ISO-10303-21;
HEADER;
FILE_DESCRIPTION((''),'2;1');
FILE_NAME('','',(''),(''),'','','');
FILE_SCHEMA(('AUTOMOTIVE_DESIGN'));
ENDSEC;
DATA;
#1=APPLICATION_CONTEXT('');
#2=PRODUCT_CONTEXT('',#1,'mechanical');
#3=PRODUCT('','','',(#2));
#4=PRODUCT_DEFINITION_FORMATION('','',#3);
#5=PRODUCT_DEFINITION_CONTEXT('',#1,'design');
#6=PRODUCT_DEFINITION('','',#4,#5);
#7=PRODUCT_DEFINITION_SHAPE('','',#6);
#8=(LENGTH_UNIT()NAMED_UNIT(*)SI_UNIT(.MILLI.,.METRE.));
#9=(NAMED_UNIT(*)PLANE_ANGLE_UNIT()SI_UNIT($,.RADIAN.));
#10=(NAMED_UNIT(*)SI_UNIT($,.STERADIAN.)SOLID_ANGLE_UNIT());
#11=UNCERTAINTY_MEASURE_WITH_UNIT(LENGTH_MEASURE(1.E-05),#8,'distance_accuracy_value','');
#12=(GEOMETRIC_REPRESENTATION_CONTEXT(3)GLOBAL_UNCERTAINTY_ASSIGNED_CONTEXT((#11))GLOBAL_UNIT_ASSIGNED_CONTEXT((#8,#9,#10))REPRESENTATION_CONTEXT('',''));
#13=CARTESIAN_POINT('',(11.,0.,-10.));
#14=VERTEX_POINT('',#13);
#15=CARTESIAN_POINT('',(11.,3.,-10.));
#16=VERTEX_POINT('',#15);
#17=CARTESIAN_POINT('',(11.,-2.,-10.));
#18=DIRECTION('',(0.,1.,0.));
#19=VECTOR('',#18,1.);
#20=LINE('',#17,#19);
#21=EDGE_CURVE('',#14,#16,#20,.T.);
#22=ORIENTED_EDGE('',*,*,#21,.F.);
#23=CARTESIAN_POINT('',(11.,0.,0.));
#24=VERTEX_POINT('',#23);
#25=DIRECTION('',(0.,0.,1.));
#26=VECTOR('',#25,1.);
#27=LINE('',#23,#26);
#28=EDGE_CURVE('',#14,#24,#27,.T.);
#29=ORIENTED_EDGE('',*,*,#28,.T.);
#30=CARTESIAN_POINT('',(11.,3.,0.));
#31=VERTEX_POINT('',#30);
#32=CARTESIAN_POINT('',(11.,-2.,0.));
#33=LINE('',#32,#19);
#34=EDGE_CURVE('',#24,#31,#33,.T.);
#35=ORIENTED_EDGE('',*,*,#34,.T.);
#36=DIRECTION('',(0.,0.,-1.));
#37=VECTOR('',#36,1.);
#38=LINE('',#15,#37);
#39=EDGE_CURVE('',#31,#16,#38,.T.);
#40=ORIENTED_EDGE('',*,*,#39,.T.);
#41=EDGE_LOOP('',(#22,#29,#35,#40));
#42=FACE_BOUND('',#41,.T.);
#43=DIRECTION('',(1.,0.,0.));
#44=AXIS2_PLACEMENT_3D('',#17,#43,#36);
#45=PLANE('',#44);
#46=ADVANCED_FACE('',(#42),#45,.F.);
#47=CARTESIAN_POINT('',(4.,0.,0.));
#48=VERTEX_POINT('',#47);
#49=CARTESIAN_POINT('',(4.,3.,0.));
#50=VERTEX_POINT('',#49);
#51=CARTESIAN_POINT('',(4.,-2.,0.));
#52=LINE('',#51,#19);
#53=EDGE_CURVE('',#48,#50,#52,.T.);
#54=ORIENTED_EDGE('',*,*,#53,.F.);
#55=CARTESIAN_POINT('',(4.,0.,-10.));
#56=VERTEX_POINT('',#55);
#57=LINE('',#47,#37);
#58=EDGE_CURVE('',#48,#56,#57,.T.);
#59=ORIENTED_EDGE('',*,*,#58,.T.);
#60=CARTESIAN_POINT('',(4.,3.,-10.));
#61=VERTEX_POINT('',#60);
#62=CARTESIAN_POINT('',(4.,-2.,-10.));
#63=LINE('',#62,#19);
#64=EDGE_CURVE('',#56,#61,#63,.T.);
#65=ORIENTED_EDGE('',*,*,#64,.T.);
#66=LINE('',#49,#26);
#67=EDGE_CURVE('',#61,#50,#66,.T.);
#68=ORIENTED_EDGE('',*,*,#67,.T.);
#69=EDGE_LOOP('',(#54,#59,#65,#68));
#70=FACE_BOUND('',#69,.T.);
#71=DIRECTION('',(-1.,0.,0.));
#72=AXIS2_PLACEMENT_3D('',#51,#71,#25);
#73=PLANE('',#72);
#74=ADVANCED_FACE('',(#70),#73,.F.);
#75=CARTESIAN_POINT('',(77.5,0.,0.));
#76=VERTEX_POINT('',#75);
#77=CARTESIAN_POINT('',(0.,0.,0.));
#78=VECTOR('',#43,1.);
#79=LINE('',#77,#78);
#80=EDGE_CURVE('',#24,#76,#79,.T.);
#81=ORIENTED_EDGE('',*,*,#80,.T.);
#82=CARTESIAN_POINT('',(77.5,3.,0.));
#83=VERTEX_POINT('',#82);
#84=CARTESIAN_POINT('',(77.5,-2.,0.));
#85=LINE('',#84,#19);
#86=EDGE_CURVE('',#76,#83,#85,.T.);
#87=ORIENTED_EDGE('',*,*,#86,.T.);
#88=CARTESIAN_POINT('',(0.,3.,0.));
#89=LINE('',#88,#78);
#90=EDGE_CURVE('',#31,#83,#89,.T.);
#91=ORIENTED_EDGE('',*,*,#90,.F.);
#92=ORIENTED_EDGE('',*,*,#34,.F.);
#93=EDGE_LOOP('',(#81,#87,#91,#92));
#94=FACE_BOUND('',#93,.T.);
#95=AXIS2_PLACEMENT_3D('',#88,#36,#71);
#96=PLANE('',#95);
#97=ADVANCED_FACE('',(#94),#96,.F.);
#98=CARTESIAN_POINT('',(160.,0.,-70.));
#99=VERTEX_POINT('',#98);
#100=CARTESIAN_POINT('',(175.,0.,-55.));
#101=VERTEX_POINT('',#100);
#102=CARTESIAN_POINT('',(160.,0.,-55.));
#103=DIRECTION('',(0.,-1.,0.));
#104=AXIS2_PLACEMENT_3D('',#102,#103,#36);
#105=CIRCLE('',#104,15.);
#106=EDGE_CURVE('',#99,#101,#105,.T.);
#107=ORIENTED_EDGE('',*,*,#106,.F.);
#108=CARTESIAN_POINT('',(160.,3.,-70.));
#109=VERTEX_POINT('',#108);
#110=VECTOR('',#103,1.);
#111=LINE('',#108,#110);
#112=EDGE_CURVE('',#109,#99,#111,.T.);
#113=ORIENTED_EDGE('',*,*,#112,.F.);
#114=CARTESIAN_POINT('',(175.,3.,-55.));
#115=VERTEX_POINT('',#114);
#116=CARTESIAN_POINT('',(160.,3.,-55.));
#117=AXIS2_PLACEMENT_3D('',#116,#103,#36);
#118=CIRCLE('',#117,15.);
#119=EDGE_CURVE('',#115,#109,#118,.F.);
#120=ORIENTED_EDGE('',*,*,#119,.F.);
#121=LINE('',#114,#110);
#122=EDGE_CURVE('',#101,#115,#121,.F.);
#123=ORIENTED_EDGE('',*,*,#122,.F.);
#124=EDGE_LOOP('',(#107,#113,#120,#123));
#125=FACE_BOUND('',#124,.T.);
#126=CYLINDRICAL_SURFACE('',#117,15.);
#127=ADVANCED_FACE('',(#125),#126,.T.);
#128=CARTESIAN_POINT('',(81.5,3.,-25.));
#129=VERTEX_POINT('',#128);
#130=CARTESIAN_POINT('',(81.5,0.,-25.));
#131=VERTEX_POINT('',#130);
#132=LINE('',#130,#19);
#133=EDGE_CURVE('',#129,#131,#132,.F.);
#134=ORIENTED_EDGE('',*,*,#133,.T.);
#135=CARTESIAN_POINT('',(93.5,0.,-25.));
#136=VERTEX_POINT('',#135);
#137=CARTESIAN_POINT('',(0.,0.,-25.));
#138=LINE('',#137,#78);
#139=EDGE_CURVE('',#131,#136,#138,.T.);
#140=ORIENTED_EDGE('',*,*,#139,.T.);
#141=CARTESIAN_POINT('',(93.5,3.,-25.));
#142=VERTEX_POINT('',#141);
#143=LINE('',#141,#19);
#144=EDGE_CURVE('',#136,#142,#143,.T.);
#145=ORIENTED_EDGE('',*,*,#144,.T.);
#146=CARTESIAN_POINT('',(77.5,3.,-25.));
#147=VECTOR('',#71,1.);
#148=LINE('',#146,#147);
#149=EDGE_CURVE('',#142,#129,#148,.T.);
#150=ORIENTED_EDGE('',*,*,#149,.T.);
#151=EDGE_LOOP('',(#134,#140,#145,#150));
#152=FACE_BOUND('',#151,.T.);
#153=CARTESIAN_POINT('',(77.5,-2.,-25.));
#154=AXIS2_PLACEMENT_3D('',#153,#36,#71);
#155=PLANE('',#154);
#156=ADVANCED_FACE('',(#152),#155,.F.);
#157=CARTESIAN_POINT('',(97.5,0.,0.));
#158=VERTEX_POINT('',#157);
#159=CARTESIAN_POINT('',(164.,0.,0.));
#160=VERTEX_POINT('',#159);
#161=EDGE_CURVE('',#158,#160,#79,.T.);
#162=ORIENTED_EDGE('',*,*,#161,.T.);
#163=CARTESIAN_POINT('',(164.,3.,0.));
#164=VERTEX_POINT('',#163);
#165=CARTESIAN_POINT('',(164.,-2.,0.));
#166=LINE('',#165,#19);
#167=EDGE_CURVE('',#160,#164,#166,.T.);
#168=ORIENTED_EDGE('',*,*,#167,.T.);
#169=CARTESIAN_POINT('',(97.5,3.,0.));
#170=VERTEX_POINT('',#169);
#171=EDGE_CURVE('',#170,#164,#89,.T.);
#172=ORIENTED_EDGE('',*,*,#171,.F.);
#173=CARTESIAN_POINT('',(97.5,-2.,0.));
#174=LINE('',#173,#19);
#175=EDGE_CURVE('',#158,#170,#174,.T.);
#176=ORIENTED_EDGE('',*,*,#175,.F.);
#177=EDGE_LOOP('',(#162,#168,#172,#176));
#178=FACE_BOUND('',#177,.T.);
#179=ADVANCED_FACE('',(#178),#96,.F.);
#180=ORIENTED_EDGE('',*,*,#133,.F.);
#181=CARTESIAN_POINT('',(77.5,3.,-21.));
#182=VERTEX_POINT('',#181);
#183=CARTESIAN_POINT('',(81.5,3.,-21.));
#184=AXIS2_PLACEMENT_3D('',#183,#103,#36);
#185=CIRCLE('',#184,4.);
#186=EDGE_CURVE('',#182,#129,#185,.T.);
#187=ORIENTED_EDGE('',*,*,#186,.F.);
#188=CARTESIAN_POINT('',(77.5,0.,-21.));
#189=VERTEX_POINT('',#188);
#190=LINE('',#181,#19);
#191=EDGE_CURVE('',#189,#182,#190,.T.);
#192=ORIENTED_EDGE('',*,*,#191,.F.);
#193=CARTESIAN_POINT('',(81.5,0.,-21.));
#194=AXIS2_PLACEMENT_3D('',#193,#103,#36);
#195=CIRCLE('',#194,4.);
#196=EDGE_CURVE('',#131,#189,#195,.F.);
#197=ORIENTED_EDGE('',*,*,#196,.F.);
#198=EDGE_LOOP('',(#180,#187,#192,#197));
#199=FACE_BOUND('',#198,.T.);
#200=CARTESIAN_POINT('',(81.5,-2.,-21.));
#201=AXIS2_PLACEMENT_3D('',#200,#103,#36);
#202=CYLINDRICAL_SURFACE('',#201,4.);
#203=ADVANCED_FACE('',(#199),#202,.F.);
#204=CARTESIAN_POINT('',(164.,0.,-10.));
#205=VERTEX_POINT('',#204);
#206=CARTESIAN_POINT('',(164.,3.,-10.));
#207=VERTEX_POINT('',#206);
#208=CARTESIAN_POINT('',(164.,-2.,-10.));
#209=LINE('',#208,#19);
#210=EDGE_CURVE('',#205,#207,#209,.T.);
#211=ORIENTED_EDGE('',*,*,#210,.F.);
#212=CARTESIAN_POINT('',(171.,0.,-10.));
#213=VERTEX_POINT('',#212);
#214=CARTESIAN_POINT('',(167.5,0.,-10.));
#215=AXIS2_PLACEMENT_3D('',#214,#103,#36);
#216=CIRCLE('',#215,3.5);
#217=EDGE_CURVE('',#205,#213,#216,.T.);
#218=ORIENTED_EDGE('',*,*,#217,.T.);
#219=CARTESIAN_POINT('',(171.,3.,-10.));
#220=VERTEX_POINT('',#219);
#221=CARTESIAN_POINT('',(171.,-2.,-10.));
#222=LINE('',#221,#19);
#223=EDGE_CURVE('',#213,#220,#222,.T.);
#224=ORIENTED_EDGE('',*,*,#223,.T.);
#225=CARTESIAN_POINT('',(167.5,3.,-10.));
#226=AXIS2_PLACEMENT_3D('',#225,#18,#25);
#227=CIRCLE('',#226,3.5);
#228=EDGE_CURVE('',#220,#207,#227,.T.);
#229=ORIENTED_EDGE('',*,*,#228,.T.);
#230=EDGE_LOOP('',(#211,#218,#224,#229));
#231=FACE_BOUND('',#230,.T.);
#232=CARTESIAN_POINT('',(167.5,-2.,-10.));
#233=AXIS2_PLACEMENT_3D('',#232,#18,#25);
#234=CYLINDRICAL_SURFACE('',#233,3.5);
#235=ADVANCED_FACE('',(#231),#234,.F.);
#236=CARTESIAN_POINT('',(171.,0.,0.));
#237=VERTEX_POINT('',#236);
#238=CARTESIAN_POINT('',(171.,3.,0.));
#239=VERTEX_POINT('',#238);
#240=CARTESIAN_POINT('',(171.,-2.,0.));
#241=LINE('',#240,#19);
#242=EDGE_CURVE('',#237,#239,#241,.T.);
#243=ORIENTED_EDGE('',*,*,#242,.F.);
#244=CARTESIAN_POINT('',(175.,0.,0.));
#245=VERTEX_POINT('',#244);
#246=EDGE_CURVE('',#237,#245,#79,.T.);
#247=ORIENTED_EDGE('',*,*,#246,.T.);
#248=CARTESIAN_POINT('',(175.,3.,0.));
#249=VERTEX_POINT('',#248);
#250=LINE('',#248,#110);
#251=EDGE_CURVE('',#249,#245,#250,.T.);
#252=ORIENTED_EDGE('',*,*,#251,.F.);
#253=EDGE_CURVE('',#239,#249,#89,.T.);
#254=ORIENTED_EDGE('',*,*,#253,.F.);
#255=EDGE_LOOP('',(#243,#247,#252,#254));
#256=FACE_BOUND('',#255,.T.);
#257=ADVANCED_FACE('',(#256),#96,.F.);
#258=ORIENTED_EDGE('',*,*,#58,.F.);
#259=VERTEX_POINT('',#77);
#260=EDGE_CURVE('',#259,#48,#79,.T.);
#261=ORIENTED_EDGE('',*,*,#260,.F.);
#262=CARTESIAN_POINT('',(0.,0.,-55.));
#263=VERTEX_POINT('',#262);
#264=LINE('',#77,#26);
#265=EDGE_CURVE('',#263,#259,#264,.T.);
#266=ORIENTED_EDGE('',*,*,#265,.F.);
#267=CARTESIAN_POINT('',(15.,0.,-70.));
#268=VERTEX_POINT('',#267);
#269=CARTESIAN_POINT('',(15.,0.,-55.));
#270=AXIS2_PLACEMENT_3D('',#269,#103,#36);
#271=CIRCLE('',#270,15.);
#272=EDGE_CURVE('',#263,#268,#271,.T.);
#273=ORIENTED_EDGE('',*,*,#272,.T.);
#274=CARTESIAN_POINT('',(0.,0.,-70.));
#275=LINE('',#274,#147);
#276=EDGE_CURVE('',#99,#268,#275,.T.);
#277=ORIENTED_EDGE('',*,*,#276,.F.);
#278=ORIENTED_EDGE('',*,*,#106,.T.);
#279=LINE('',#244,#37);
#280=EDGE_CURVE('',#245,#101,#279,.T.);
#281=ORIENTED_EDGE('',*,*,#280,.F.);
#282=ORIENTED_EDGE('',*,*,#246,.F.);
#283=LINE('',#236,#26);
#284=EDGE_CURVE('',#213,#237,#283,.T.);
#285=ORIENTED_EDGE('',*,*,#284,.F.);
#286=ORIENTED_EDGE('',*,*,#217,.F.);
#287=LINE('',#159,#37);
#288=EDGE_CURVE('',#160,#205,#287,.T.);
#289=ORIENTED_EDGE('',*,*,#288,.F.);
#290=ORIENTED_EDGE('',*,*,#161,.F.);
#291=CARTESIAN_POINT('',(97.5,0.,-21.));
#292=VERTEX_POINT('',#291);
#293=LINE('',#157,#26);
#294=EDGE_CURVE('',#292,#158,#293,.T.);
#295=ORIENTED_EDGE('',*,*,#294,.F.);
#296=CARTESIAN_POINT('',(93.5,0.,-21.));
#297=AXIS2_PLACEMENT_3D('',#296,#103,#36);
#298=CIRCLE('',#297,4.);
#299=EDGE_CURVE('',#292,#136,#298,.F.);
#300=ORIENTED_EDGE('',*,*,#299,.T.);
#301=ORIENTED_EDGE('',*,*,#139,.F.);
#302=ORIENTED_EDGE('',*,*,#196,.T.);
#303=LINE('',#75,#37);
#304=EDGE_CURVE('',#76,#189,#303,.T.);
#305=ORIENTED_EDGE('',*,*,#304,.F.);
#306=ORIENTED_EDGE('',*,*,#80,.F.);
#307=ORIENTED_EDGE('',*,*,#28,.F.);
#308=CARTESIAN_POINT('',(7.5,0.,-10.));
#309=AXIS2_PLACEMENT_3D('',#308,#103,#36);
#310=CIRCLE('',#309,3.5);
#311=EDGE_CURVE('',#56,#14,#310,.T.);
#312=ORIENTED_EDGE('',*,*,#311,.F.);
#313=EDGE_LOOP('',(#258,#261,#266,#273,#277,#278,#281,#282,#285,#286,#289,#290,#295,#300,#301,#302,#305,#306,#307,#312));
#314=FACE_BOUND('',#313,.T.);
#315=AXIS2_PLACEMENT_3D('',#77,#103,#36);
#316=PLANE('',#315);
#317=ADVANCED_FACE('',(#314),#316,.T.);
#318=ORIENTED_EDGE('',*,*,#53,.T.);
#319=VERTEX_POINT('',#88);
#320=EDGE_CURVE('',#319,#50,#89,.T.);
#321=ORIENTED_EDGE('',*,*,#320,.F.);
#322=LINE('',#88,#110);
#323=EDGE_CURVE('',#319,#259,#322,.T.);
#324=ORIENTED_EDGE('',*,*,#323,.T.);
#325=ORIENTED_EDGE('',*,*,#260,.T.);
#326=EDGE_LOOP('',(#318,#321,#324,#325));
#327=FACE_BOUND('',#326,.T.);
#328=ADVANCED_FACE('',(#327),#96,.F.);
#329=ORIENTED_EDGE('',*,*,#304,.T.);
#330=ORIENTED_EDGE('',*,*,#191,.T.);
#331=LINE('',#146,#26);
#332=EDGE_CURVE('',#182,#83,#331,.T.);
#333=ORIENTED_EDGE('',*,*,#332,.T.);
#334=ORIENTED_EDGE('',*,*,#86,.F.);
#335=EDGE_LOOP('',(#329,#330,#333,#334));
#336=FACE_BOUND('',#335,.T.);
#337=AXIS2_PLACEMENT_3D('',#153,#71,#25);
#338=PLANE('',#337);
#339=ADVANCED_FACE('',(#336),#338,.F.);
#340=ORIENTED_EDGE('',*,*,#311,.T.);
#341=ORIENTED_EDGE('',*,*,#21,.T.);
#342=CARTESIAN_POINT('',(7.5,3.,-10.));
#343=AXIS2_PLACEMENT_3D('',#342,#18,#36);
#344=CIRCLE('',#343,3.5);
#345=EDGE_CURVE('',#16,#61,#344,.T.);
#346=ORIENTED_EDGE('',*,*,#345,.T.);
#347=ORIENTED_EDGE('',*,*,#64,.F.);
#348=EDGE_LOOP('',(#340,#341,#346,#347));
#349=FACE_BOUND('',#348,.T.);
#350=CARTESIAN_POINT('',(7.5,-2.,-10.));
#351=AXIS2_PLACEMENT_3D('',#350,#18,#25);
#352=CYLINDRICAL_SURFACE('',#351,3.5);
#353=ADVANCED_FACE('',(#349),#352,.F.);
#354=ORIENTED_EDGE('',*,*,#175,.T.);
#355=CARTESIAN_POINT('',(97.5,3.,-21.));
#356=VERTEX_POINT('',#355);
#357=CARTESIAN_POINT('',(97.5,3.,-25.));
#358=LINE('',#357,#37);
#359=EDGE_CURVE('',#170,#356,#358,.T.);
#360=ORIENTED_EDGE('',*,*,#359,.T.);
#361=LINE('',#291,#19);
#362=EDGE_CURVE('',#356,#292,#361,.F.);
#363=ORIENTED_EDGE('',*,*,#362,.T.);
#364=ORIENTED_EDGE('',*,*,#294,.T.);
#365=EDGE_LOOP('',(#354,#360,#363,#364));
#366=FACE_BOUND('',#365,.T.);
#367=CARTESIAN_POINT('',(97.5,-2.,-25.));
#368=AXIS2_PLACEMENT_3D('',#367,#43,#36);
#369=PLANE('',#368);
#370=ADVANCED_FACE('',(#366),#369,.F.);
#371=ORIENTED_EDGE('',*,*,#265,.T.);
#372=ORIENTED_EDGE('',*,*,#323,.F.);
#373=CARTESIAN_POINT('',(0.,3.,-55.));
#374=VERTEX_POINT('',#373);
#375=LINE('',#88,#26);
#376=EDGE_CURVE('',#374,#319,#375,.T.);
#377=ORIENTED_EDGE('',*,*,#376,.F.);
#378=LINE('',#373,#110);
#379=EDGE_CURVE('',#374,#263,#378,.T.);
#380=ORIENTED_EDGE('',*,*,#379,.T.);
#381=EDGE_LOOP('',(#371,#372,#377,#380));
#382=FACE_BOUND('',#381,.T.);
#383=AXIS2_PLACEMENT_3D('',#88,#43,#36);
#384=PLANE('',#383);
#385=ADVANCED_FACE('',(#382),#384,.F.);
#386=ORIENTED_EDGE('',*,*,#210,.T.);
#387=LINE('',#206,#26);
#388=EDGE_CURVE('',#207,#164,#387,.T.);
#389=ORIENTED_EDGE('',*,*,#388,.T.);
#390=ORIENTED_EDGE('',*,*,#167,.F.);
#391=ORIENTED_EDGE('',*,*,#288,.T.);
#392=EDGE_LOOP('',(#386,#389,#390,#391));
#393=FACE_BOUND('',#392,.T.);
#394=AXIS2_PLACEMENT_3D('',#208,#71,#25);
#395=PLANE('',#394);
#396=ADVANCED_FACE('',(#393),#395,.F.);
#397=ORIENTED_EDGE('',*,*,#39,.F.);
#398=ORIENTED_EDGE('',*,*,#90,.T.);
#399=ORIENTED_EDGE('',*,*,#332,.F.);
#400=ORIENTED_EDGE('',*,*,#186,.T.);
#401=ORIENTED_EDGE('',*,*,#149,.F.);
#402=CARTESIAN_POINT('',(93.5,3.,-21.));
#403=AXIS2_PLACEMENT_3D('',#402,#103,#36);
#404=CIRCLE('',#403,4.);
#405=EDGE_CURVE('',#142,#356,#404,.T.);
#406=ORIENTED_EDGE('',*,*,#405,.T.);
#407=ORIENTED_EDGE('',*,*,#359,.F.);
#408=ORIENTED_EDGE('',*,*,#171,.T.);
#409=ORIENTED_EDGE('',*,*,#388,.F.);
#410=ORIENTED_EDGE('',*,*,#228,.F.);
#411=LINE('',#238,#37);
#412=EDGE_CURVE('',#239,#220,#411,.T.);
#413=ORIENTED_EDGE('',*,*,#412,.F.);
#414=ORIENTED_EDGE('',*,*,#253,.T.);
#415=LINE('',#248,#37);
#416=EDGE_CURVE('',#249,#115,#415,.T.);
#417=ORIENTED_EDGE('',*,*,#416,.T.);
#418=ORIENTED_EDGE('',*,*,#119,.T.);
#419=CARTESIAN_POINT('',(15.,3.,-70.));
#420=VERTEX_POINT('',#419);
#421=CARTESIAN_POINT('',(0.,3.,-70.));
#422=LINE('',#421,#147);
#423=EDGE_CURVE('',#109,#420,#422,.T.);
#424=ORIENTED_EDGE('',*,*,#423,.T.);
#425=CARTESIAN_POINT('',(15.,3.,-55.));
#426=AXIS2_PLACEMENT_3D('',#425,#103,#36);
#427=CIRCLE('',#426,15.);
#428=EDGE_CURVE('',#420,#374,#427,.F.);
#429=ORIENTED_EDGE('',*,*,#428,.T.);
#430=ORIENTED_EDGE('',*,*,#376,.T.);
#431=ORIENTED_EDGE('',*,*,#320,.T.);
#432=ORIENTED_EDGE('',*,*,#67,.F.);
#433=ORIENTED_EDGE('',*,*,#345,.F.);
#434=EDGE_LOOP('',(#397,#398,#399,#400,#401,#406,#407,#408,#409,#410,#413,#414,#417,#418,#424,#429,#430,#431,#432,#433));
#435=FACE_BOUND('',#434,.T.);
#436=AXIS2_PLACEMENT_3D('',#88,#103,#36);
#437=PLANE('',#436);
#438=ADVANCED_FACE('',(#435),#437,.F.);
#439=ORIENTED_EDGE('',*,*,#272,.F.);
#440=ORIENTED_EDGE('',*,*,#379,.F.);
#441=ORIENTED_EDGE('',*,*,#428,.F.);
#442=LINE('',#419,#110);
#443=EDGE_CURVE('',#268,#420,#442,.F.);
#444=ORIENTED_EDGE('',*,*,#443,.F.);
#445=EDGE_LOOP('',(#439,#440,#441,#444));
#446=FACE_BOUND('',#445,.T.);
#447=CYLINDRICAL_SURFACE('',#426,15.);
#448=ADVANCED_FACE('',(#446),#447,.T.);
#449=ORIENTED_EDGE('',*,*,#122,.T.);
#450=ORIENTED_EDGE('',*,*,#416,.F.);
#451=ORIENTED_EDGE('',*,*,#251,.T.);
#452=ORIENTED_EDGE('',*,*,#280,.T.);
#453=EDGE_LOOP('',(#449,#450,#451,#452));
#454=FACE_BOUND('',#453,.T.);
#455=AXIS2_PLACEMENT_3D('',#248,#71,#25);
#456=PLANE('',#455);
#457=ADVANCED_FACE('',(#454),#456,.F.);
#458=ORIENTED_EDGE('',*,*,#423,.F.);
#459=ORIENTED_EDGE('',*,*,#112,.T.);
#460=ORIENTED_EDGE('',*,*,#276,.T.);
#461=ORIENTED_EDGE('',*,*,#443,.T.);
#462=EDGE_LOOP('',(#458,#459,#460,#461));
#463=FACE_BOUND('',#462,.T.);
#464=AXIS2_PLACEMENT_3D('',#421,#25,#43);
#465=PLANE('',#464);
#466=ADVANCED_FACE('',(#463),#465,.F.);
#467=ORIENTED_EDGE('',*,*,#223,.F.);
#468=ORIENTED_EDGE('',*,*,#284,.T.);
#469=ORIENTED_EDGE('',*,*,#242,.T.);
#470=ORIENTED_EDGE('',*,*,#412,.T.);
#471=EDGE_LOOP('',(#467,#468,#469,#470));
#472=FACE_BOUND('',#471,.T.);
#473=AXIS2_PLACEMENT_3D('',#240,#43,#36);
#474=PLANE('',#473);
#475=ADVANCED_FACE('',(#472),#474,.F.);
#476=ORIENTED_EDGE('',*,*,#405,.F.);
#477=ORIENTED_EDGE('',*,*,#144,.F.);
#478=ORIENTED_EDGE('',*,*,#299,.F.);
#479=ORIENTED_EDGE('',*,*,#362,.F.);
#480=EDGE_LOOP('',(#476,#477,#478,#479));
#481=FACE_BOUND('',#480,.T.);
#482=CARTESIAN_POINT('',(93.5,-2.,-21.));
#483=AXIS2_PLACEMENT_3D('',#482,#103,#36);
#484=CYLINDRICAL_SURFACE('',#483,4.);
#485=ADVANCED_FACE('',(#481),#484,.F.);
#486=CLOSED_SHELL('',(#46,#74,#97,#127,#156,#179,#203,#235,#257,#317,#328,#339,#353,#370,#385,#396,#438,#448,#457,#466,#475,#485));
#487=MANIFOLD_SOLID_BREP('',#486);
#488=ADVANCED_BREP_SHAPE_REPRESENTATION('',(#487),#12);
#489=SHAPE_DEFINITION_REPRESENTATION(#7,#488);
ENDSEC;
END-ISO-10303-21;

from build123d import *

# Parameters (mm, degrees)
SKETCH1_W           = 175
SKETCH1_H           = 70
BOSS_EXTRUDE1_DEPTH = 3
SKETCH2_W           = 20
SKETCH2_H           = 25
CUT_EXTRUDE1_DEPTH  = 5
FILLET1_R           = 4
FILLET2_R           = 15


with BuildPart() as part:
    # Sketch1 → Boss-Extrude1 (new body)
    with BuildSketch(Plane(origin=(0, 0, 0), x_dir=(1, 0, 0), z_dir=(0, 1, 0))):
        with Locations((87.5, 35)):
            Rectangle(SKETCH1_W, SKETCH1_H)
    extrude(amount=BOSS_EXTRUDE1_DEPTH)

    # Sketch2 → Cut-Extrude1 (cut)
    with BuildSketch(Plane(origin=(0, 3, 0), x_dir=(1, 0, 0), z_dir=(0, 1, 0))):
        with Locations((87.5, 12.5)):
            Rectangle(SKETCH2_W, SKETCH2_H)
        with BuildLine():
            Line((11, 10), (11, 0))
            Line((11, 0), (4, 0))
            Line((4, 0), (4, 10))
            ThreePointArc((4, 10), (7.5, 13.5), (11, 10))
        make_face()
        with BuildLine():
            Line((171, 0), (171, 10))
            ThreePointArc((171, 10), (167.5, 13.5), (164, 10))
            Line((164, 10), (164, 0))
            Line((164, 0), (171, 0))
        make_face()
    extrude(amount=-CUT_EXTRUDE1_DEPTH, mode=Mode.SUBTRACT)

    # Fillet1
    fillet1_edges = [part.edges().sort_by_distance(p)[0] for p in [
        (77.5, 1.5, -25),
        (97.5, 1.5, -25),
    ]]
    fillet(fillet1_edges, radius=FILLET1_R)

    # Fillet2
    fillet2_edges = [part.edges().sort_by_distance(p)[0] for p in [
        (0, 1.5, -70),
        (175, 1.5, -70),
    ]]
    fillet(fillet2_edges, radius=FILLET2_R)


solid = part.part
